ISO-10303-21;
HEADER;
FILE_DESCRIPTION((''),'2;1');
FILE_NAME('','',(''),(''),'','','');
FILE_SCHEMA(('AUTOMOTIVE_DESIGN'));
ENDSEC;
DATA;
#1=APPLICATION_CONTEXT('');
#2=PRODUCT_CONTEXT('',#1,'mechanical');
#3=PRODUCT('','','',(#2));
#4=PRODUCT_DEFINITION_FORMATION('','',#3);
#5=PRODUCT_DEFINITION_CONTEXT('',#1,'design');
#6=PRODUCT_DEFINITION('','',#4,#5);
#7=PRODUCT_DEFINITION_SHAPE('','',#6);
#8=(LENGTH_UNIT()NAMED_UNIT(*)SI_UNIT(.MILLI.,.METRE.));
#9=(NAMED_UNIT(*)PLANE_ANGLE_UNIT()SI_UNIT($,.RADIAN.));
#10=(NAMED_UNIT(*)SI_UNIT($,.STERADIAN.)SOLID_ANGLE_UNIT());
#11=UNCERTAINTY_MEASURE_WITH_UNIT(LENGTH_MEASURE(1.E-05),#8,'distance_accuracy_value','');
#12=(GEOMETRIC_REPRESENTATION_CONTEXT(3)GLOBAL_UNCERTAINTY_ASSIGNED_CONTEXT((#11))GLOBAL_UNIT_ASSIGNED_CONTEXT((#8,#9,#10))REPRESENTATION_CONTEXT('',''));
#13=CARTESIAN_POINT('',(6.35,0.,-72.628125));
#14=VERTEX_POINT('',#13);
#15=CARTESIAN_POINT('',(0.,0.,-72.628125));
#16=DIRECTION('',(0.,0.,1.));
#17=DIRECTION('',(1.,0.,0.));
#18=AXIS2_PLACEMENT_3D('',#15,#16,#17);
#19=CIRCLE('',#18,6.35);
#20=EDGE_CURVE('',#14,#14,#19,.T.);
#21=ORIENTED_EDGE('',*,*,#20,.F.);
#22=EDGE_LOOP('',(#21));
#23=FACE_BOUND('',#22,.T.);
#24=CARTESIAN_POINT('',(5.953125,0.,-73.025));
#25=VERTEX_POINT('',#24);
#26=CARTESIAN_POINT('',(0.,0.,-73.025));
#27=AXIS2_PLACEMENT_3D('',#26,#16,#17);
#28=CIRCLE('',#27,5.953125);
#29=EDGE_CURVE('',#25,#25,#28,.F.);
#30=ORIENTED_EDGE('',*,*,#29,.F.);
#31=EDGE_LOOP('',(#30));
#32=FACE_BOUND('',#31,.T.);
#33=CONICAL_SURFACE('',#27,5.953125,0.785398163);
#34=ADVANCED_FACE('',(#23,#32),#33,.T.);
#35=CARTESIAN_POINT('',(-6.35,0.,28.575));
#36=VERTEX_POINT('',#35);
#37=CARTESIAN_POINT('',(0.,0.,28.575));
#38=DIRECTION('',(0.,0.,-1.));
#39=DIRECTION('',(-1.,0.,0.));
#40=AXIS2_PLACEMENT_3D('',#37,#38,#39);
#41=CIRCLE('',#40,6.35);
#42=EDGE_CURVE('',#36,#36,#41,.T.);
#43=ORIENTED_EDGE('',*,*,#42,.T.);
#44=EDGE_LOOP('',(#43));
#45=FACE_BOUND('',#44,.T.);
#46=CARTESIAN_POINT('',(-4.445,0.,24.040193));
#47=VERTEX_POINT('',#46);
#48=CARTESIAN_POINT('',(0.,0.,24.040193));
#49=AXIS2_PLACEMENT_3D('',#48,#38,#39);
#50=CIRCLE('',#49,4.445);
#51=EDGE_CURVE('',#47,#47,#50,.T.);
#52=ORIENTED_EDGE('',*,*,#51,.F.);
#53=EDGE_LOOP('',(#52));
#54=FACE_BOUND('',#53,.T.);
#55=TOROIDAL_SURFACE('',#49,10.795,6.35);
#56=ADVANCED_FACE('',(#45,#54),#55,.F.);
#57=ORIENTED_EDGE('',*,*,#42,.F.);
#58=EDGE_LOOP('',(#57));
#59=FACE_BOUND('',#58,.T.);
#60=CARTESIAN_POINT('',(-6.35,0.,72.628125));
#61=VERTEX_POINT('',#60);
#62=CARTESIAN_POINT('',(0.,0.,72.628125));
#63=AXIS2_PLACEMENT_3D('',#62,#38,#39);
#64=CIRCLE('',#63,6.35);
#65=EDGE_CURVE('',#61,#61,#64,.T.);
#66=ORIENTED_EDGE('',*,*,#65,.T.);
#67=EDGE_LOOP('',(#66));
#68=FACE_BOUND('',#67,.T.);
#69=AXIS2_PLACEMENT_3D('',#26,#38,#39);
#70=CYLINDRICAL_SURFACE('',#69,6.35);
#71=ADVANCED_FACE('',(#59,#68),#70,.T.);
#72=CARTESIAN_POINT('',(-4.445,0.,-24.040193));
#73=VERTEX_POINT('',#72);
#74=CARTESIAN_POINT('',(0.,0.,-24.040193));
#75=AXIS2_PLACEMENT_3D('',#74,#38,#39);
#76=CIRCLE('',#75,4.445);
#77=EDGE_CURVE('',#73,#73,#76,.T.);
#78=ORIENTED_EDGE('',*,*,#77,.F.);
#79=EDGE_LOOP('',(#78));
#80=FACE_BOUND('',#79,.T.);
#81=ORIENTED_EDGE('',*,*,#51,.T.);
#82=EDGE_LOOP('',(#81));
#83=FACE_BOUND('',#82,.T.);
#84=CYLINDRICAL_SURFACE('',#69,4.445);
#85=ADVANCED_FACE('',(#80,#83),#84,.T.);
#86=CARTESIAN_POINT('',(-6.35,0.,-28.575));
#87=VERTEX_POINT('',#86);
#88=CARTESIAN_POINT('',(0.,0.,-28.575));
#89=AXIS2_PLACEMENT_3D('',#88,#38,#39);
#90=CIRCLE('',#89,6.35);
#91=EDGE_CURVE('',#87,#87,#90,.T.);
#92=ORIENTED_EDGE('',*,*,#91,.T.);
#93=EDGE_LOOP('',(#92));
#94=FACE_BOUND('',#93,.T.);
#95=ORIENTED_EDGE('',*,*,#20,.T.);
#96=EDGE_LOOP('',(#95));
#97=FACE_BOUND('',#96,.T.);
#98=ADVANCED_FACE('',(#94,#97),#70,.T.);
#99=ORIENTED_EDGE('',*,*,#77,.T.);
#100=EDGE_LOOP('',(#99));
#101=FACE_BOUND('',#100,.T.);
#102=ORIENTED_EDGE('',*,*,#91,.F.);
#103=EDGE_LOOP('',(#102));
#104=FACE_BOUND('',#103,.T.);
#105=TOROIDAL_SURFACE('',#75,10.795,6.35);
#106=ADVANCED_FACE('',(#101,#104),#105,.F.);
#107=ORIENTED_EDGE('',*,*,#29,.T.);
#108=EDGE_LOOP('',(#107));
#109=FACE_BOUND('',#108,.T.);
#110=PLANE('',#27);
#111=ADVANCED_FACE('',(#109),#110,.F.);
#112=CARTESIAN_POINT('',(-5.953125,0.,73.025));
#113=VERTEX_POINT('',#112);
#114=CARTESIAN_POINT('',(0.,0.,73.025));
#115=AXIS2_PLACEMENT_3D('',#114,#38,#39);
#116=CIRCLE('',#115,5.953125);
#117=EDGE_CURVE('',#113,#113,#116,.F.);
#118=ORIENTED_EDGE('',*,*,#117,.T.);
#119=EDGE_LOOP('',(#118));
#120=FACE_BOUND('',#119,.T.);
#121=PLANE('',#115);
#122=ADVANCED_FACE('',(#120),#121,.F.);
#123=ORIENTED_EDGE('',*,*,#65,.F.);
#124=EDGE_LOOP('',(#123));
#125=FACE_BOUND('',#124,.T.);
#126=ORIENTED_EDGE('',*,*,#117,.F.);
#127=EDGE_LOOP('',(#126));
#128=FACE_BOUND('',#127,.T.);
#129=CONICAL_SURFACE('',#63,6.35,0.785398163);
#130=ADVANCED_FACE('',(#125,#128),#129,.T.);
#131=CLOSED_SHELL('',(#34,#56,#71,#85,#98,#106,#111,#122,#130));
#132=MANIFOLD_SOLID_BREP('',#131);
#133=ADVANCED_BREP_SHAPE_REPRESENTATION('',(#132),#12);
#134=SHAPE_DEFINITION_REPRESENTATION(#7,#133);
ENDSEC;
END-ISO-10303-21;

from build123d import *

# Parameters (mm, degrees)
CHAMFER1_SIZE = 0.396875


with BuildPart() as part:
    # Sketch1 → Revolve1 (revolve)
    with BuildSketch(Plane(origin=(0, 0, 0), x_dir=(1, 0, 0), z_dir=(0, 1, 0))):
        with BuildLine():
            Line((0, 73.025), (0, -73.025))
            Line((0, -73.025), (6.35, -73.025))
            Line((6.35, -73.025), (6.35, -28.575))
            ThreePointArc((6.35, -28.575), (4.94058927, -26.499537373), (4.445, -24.040192948))
            Line((4.445, -24.040192948), (4.445, 24.040192948))
            ThreePointArc((4.445, 24.040192948), (4.94058927, 26.499537373), (6.35, 28.575))
            Line((6.35, 28.575), (6.35, 73.025))
            Line((6.35, 73.025), (0, 73.025))
        make_face()
    revolve(axis=Axis((0, 0, -73.025), (0, 0, 1)))

    # Chamfer1
    chamfer1_edges = [part.edges().sort_by_distance(p)[0] for p in [
        (-6.35, 0, 73.025),
        (-6.35, 0, -73.025),
    ]]
    chamfer(chamfer1_edges, length=CHAMFER1_SIZE)


solid = part.part
